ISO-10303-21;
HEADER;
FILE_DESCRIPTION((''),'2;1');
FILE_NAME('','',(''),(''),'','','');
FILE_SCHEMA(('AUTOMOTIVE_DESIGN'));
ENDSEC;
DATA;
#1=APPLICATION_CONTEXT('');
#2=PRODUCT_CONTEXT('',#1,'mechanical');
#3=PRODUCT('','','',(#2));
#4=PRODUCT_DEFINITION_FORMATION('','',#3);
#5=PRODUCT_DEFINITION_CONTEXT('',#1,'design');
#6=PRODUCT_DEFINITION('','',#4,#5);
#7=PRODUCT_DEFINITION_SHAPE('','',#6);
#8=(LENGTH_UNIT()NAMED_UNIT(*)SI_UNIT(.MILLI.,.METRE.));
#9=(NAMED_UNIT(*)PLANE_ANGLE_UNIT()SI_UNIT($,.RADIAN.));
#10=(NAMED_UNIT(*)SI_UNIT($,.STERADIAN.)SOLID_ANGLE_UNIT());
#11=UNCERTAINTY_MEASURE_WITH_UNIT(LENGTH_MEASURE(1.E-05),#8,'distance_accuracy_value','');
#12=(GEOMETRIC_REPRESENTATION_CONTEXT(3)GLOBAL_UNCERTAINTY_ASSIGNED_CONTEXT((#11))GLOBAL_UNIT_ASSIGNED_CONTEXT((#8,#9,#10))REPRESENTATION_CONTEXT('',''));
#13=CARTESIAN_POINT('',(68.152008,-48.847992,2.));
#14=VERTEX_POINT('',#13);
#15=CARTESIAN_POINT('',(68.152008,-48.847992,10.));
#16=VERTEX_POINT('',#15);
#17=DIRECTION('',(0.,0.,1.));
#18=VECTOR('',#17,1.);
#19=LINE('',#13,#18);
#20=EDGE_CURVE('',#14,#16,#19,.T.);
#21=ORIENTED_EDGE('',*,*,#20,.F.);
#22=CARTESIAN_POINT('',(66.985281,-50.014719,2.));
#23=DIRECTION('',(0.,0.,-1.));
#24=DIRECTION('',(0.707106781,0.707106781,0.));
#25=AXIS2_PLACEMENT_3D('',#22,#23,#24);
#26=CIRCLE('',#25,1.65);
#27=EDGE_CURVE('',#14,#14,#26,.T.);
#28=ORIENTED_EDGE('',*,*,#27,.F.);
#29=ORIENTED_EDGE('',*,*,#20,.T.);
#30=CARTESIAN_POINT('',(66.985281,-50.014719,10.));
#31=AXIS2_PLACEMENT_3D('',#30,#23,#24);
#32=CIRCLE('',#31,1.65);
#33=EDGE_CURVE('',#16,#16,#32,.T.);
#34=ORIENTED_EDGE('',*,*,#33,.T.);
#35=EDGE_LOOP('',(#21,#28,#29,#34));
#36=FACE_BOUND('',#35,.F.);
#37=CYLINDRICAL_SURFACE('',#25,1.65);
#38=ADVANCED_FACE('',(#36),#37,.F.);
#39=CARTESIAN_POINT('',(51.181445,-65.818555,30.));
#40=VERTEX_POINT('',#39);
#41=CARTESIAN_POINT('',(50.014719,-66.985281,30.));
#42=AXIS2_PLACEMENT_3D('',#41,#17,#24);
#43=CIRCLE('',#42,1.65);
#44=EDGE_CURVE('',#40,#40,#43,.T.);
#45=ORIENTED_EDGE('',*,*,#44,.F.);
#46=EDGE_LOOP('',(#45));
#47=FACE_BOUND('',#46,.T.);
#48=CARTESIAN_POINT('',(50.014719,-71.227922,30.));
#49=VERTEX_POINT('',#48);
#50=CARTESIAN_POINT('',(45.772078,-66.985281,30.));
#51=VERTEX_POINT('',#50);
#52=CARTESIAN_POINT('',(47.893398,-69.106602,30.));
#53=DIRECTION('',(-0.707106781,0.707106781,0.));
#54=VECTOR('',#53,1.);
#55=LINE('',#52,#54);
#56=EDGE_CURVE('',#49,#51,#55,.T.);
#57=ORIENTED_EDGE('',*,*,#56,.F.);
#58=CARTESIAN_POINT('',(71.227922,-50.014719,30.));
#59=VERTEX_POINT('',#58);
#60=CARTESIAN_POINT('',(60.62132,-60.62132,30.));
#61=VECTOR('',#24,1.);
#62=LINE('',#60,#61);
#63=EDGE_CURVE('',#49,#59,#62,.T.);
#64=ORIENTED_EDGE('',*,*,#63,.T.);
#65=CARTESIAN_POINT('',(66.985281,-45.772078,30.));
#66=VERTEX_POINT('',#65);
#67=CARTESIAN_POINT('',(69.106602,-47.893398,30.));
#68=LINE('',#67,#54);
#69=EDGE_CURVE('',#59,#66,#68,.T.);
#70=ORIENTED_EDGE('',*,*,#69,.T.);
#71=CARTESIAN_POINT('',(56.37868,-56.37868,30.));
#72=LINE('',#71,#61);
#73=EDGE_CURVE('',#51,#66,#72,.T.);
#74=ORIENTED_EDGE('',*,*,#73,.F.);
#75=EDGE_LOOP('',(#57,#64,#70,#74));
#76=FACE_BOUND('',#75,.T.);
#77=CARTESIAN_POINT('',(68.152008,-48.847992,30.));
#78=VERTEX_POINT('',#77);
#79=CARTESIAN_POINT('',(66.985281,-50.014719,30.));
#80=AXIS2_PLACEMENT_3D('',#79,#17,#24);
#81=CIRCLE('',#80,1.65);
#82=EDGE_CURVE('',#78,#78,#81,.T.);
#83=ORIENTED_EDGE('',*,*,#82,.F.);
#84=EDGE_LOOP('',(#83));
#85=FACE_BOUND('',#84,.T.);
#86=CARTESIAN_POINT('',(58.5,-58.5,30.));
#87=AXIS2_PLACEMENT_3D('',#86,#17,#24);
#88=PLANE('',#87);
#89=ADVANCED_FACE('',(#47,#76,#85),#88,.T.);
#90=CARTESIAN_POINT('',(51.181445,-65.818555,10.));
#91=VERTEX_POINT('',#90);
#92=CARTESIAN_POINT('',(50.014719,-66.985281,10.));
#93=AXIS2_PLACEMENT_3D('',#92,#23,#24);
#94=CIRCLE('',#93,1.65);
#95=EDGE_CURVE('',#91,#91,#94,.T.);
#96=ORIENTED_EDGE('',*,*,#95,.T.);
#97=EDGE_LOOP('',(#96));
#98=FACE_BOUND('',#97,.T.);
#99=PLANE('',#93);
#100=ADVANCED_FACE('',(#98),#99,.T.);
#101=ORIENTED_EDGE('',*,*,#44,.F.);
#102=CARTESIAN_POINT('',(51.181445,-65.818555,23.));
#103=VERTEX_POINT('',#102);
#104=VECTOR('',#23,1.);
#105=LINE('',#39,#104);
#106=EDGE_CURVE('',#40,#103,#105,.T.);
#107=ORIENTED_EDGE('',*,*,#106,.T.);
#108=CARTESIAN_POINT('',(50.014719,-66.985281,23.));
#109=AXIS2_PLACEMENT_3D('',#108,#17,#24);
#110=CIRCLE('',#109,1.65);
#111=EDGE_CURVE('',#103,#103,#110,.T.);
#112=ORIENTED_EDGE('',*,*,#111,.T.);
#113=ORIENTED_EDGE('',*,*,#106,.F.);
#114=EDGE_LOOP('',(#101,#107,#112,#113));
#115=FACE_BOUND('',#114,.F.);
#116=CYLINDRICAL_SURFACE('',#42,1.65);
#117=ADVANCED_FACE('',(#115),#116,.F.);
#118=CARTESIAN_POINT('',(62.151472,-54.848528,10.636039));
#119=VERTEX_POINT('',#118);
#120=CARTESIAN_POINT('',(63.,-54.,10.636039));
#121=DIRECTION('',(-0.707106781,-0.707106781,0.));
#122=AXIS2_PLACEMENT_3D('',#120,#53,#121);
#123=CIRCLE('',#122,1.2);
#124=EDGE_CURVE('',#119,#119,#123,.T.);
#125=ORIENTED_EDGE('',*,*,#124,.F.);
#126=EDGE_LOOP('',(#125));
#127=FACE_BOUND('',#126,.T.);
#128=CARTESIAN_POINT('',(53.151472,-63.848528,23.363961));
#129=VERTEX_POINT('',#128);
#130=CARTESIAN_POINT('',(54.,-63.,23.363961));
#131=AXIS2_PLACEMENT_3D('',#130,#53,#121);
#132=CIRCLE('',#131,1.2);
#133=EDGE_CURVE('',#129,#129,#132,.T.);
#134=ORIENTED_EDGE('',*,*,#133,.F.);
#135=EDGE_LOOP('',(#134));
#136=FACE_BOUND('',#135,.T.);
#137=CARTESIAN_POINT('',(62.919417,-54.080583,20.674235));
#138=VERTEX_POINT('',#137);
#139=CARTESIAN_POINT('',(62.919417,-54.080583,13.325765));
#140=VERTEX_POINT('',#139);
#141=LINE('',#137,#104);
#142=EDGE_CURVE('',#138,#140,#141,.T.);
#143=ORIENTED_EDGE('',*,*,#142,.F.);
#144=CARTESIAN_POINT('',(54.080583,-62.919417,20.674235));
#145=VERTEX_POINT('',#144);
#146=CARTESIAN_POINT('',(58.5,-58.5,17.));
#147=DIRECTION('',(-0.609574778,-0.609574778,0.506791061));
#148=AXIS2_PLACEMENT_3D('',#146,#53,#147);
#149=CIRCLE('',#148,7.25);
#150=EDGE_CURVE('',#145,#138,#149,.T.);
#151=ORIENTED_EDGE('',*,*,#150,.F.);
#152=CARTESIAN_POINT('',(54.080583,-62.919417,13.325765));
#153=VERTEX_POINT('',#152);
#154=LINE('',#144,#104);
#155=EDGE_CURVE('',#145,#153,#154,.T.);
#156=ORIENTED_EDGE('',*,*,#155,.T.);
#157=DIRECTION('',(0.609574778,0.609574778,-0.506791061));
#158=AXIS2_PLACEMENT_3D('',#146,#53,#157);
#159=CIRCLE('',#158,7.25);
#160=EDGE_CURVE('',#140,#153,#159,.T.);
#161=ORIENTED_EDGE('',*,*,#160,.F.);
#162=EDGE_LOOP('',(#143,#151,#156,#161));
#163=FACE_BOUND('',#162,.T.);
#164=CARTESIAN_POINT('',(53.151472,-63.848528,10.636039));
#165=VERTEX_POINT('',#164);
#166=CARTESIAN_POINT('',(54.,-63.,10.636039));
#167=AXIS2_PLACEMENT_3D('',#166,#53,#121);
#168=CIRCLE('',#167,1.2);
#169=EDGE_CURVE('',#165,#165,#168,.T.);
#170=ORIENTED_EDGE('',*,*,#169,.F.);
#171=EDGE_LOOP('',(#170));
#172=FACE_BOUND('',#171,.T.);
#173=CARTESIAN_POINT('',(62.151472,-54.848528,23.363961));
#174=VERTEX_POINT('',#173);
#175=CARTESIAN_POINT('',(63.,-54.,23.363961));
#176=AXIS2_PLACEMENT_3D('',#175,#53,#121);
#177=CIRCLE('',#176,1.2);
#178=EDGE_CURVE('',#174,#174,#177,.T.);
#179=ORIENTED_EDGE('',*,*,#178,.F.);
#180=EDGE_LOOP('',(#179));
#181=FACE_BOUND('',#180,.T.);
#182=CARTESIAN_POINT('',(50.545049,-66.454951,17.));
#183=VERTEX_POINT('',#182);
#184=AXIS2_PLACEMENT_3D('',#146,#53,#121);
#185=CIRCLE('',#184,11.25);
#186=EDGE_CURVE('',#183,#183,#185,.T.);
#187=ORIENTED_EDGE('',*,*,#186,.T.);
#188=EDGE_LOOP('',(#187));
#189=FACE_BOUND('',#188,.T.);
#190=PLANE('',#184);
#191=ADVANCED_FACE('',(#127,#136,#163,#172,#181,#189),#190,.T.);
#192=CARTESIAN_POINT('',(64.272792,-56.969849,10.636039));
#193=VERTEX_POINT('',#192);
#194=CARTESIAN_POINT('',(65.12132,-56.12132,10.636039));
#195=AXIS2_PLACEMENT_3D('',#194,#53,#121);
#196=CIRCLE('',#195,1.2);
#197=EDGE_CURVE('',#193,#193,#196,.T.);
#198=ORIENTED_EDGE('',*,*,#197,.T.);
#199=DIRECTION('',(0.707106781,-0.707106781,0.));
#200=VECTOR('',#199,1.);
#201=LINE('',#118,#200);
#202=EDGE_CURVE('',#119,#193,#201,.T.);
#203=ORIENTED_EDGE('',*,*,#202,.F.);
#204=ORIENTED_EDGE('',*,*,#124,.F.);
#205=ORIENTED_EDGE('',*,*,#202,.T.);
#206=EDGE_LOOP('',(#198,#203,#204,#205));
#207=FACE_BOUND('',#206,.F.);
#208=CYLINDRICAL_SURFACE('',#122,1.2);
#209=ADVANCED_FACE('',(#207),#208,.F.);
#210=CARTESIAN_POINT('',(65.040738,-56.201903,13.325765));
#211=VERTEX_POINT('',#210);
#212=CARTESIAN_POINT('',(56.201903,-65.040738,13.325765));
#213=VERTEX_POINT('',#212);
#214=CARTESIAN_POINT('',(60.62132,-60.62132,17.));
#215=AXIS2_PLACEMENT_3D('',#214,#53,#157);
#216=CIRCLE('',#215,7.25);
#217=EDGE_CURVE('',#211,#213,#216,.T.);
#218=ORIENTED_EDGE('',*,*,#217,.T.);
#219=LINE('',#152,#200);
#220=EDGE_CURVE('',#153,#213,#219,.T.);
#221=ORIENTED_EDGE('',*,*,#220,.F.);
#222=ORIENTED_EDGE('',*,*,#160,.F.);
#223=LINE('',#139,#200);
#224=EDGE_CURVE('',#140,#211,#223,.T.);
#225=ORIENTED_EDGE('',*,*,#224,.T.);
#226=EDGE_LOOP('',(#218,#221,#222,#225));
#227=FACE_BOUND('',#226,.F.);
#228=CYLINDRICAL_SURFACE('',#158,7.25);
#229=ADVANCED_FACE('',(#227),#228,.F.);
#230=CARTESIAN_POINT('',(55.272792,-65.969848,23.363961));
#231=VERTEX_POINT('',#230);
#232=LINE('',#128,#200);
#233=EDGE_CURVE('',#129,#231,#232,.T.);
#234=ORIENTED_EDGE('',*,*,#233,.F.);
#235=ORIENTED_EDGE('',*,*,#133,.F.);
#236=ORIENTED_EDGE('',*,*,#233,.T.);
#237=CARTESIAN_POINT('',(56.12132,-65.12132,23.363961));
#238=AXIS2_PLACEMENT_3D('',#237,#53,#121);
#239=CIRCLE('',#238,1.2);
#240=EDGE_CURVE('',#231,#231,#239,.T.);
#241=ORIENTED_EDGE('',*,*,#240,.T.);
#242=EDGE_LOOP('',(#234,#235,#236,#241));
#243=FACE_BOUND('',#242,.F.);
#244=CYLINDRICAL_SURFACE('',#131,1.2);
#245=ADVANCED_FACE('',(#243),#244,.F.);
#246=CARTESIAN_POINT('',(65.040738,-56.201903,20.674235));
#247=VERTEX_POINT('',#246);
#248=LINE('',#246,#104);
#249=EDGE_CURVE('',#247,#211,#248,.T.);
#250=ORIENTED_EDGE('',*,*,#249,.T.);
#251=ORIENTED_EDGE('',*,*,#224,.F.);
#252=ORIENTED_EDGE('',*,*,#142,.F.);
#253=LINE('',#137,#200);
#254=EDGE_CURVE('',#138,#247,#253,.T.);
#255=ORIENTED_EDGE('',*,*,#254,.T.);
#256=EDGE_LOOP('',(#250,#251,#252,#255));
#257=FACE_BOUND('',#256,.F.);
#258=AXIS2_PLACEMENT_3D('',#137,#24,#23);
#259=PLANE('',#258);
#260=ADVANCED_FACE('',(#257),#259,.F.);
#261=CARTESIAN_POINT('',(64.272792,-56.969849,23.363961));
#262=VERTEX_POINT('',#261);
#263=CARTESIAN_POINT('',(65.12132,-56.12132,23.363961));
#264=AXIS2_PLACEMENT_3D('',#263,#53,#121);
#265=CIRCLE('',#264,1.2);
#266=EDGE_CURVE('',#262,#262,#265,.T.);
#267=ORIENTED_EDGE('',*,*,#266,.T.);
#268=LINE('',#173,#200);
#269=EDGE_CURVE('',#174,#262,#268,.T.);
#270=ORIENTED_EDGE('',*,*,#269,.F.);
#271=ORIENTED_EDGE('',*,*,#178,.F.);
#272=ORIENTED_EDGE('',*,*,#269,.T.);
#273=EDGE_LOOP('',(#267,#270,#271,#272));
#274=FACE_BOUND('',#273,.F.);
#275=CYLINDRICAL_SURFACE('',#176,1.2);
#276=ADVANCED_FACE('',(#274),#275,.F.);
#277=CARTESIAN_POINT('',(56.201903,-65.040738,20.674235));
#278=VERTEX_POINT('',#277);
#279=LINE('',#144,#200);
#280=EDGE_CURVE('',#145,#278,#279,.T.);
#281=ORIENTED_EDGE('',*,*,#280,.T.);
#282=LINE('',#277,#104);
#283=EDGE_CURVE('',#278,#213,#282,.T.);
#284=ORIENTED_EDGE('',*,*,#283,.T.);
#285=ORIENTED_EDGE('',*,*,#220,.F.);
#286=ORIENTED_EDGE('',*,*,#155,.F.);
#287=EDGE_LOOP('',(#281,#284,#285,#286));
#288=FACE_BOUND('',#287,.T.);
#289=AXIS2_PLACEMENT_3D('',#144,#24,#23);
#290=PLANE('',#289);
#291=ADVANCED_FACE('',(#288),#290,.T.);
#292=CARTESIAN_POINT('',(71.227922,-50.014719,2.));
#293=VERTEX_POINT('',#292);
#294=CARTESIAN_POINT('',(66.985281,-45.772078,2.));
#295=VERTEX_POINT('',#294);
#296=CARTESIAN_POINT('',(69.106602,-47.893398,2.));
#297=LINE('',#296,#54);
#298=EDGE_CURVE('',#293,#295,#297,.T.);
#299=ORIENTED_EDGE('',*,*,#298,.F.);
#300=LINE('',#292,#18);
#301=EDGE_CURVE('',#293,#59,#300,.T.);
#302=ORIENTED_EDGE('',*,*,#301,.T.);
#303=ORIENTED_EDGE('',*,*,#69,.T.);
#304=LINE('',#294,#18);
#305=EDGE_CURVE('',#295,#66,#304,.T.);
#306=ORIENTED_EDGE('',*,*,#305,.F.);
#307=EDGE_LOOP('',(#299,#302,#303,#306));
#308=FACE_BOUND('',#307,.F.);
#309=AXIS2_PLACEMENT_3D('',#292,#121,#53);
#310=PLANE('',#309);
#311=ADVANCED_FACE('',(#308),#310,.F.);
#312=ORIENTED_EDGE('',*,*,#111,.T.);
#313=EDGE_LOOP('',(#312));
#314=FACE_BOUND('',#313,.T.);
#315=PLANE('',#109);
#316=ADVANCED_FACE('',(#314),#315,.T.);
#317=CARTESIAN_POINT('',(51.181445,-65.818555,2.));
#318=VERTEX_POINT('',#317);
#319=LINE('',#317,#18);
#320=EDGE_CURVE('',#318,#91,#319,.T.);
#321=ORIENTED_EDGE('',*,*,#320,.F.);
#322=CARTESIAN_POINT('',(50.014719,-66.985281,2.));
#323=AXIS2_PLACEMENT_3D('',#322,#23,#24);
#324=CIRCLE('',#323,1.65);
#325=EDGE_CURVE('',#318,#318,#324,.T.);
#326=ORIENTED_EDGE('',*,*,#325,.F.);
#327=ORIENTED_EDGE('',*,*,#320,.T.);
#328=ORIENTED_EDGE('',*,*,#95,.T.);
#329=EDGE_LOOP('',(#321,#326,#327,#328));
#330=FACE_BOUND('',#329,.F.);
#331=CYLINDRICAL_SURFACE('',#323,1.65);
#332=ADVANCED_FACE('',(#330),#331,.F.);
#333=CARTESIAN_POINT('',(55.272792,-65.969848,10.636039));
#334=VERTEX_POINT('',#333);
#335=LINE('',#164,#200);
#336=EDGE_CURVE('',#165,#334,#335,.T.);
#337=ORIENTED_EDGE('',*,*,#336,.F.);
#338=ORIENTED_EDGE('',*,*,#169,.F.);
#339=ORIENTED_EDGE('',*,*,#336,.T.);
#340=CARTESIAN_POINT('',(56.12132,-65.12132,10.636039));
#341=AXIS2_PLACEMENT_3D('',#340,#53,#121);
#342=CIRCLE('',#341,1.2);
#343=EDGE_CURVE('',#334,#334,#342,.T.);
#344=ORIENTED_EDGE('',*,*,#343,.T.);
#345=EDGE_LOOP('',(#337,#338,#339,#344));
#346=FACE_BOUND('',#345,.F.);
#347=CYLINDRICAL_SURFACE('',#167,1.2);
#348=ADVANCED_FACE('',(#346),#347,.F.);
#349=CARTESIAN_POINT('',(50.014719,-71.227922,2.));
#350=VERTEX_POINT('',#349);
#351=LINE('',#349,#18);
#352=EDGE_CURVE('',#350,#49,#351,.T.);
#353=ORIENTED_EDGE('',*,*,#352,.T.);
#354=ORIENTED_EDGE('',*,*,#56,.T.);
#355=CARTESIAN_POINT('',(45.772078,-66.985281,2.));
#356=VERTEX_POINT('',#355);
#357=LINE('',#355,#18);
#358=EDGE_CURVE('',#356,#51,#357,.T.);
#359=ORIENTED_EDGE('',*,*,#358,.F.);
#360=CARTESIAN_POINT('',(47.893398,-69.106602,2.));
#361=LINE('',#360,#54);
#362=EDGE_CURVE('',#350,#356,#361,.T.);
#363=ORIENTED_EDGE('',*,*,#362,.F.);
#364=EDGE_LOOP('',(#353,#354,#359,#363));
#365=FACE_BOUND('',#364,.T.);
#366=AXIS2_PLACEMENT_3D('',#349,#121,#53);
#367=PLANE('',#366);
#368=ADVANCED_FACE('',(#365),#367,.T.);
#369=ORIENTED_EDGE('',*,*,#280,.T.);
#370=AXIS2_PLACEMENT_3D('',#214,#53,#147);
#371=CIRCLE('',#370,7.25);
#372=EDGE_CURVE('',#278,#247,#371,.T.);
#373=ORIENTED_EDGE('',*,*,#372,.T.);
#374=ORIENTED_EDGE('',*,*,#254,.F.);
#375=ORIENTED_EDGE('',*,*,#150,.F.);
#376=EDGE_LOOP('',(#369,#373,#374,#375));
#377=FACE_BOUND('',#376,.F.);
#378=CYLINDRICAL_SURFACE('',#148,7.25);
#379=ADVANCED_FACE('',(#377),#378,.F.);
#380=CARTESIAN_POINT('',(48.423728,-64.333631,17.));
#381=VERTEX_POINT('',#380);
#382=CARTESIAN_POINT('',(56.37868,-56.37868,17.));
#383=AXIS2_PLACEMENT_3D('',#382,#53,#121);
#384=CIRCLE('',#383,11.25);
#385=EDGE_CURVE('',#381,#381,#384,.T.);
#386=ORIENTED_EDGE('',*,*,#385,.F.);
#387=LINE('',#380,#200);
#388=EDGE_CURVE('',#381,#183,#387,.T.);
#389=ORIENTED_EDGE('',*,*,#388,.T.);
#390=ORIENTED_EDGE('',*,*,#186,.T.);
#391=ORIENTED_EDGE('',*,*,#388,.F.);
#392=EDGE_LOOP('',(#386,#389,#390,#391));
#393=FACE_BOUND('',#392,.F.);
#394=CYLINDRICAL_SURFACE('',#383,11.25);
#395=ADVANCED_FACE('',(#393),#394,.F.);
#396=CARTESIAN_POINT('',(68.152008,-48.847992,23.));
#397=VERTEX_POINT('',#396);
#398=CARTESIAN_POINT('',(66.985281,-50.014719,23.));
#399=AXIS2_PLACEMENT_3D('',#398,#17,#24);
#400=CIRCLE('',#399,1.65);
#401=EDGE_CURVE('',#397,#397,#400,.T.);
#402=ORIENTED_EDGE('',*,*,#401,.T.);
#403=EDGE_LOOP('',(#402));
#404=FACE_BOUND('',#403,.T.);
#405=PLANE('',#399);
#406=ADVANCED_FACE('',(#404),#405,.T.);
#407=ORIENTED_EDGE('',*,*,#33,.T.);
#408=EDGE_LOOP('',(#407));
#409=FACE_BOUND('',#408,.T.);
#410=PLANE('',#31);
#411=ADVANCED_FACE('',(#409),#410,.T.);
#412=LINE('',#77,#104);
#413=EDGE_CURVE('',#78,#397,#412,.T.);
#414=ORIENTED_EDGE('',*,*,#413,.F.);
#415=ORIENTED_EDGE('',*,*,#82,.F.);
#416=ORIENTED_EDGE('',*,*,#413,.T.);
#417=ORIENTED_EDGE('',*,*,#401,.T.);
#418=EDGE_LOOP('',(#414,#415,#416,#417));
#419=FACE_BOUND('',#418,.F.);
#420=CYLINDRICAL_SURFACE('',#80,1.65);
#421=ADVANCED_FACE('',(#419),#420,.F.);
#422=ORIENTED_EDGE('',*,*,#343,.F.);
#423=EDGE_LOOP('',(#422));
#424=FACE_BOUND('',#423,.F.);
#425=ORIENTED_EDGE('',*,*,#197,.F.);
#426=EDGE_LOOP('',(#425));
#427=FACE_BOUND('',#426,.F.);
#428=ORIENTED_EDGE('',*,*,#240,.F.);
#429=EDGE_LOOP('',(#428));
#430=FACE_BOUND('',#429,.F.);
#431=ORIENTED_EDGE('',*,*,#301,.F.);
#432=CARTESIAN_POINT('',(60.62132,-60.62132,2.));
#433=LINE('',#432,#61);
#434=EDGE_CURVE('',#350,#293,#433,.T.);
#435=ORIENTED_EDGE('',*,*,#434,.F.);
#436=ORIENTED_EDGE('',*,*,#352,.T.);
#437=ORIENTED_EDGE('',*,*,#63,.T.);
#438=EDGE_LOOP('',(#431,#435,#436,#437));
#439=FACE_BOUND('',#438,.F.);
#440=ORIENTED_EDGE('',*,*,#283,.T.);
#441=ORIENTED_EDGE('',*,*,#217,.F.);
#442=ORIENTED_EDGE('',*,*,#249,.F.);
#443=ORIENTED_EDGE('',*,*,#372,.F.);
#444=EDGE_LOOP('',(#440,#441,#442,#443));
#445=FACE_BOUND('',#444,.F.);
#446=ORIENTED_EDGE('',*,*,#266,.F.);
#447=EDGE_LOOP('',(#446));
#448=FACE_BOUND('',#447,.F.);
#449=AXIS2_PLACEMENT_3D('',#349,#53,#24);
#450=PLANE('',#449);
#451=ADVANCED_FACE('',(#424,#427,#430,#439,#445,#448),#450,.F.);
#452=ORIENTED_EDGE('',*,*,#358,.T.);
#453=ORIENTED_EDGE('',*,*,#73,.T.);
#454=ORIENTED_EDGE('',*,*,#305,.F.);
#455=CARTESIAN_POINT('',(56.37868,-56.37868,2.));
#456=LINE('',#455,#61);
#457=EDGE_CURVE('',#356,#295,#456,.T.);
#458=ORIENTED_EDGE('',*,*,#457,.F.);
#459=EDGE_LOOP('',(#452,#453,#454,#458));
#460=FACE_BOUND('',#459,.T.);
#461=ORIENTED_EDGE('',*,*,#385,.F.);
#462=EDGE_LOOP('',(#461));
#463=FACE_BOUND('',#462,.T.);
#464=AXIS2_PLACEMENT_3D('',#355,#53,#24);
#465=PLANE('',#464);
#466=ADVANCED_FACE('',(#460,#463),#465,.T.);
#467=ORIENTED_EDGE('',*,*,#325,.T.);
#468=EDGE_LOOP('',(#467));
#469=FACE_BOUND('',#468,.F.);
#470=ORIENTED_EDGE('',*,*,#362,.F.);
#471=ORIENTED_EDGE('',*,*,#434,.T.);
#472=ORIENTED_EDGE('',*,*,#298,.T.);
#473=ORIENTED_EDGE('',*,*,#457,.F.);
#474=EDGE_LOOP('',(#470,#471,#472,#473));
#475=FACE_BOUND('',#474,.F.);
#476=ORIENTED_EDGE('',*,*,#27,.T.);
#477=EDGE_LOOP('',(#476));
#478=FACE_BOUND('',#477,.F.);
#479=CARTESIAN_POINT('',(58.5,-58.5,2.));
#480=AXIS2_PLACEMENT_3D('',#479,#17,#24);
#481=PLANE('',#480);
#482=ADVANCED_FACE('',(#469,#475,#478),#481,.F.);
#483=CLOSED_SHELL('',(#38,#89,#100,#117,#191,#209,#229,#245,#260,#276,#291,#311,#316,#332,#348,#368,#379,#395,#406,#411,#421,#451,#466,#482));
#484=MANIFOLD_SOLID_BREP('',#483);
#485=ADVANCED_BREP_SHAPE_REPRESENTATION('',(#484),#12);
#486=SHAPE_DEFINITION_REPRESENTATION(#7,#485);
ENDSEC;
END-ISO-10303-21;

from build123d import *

# Parameters (mm, degrees)
SKETCH087_W             = 30
SKETCH087_H             = 6
PAD036_DEPTH            = 28
SKETCH088_R             = 11.25
POCKET047_DEPTH         = 3
SKETCH089_R             = 1.2
POCKET048_DEPTH         = 3
SKETCH090_R             = 1.65
POCKET049_DEPTH         = 7
SKETCH091_R             = 1.65
POCKET050_DEPTH         = 8
BODY026_PLACEMENT_ANGLE = 45


with BuildPart() as part:
    # Sketch087 → Pad036 (new body)
    with BuildSketch(Plane.XY):
        Rectangle(SKETCH087_W, SKETCH087_H)
    extrude(amount=PAD036_DEPTH)

    # Sketch088 (on Face4 of Pad036) → Pocket047 (cut)
    with BuildSketch(Plane(origin=(0, 3, 0), x_dir=(-1, 0, 0), z_dir=(0, 1, 0))):
        with Locations((0, 15)):
            Circle(SKETCH088_R)
    extrude(amount=-POCKET047_DEPTH, mode=Mode.SUBTRACT)

    # Sketch089 (on Face8 of Pocket047) → Pocket048 (cut)
    with BuildSketch(Plane(origin=(0, 0, 0), x_dir=(-1, 0, 0), z_dir=(0, 1, 0))):
        with Locations((6.363961, 8.636039)):
            Circle(SKETCH089_R)
        with Locations((6.363961, 21.363961)):
            Circle(SKETCH089_R)
        with Locations((-6.363961, 21.363961)):
            Circle(SKETCH089_R)
        with Locations((-6.363961, 8.636039)):
            Circle(SKETCH089_R)
        with BuildLine():
            Line((-6.25, 18.674235), (-6.25, 11.325765))
            ThreePointArc((-6.25, 11.325765), (0, 7.75), (6.25, 11.325765))
            Line((6.25, 18.674235), (6.25, 11.325765))
            ThreePointArc((6.25, 18.674235), (0, 22.25), (-6.25, 18.674235))
        make_face()
    extrude(amount=-POCKET048_DEPTH, mode=Mode.SUBTRACT)

    # Sketch090 (on Face5 of Pocket048) → Pocket049 (cut)
    with BuildSketch(Plane.XY.offset(28)):
        with Locations((-12, 0)):
            Circle(SKETCH090_R)
        with Locations((12, 0)):
            Circle(SKETCH090_R)
    extrude(amount=-POCKET049_DEPTH, mode=Mode.SUBTRACT)

    # Sketch091 (on Face4 of Pocket049) → Pocket050 (cut)
    with BuildSketch(Plane(origin=(0, 0, 0), x_dir=(1, 0, 0), z_dir=(0, 0, -1))):
        with Locations((-12, 0)):
            Circle(SKETCH091_R)
        with Locations((12, 0)):
            Circle(SKETCH091_R)
    extrude(amount=-POCKET050_DEPTH, mode=Mode.SUBTRACT)


with BuildPart() as part_1:
    # Body026 placement: moved
    add(part.part.moved(Location((58.5, -58.5, 2))).rotate(Axis((58.5, -58.5, 2), (0, 0, 1)), BODY026_PLACEMENT_ANGLE))


solid = part_1.part
